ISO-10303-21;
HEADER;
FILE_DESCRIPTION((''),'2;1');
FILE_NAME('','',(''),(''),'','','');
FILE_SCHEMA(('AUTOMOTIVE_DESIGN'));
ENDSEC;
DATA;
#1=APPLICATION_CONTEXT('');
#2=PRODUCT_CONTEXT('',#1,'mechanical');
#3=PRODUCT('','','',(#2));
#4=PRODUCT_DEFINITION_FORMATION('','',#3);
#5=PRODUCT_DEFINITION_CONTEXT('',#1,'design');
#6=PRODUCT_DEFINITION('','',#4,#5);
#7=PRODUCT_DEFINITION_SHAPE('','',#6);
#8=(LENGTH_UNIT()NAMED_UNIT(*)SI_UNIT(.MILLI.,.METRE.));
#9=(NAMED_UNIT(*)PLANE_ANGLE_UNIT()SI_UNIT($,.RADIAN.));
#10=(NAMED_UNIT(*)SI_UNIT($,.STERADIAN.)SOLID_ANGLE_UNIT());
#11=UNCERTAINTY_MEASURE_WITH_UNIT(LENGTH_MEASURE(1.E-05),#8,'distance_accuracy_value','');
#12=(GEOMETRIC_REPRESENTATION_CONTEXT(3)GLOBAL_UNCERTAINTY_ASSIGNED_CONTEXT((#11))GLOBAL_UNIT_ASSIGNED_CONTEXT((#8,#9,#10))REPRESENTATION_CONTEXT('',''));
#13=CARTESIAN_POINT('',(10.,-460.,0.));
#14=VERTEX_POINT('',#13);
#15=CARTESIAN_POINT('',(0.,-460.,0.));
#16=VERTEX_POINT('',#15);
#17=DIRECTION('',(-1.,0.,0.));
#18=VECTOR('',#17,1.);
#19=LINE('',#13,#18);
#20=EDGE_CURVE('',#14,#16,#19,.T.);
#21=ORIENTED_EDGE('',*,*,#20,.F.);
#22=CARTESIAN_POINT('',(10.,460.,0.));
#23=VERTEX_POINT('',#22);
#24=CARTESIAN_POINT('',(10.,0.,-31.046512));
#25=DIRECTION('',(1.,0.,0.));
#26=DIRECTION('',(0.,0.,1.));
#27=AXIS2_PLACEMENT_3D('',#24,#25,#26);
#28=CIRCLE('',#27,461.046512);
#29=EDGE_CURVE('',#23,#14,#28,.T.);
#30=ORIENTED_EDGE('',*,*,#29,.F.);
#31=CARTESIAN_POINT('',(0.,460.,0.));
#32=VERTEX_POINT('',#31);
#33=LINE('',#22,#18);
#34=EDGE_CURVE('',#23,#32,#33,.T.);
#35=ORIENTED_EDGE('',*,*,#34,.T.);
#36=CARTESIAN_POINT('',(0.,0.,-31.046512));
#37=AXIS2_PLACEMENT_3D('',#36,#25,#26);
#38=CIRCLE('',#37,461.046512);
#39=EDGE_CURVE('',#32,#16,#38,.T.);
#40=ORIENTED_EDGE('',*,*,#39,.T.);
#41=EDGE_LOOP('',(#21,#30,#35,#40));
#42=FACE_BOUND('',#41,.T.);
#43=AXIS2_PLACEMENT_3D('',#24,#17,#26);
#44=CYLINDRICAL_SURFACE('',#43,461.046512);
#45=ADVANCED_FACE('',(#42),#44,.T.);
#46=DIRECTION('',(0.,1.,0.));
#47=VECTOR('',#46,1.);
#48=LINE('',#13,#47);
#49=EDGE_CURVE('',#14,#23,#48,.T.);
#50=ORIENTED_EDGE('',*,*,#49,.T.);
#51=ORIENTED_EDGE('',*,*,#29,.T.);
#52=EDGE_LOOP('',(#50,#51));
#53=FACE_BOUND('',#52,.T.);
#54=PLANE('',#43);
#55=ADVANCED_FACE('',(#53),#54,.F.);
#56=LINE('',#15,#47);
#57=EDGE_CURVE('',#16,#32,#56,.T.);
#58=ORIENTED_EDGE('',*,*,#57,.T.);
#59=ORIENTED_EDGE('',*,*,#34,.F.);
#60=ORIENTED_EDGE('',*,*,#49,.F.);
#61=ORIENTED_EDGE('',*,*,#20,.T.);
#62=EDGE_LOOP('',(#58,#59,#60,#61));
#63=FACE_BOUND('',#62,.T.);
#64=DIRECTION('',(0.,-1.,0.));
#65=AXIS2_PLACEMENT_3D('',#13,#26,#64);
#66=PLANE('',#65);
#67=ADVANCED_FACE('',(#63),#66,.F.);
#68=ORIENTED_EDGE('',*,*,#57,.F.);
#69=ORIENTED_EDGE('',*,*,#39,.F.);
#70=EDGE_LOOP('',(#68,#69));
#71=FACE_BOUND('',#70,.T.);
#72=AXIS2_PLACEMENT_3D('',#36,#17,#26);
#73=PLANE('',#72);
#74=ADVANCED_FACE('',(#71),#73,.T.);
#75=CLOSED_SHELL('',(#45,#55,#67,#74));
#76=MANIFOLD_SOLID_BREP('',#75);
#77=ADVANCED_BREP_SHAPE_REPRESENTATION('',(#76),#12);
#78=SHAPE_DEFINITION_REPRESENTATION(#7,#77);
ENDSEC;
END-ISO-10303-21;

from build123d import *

# Parameters (mm, degrees)
BOSS_EXTRUDE1_DEPTH = 10


with BuildPart() as part:
    # Sketch1 → Boss-Extrude1 (new body)
    with BuildSketch(Plane.YZ):
        with BuildLine():
            Line((-460, 0), (460, 0))
            ThreePointArc((460, 0), (0, 430), (-460, 0))
        make_face()
    extrude(amount=BOSS_EXTRUDE1_DEPTH)


solid = part.part
